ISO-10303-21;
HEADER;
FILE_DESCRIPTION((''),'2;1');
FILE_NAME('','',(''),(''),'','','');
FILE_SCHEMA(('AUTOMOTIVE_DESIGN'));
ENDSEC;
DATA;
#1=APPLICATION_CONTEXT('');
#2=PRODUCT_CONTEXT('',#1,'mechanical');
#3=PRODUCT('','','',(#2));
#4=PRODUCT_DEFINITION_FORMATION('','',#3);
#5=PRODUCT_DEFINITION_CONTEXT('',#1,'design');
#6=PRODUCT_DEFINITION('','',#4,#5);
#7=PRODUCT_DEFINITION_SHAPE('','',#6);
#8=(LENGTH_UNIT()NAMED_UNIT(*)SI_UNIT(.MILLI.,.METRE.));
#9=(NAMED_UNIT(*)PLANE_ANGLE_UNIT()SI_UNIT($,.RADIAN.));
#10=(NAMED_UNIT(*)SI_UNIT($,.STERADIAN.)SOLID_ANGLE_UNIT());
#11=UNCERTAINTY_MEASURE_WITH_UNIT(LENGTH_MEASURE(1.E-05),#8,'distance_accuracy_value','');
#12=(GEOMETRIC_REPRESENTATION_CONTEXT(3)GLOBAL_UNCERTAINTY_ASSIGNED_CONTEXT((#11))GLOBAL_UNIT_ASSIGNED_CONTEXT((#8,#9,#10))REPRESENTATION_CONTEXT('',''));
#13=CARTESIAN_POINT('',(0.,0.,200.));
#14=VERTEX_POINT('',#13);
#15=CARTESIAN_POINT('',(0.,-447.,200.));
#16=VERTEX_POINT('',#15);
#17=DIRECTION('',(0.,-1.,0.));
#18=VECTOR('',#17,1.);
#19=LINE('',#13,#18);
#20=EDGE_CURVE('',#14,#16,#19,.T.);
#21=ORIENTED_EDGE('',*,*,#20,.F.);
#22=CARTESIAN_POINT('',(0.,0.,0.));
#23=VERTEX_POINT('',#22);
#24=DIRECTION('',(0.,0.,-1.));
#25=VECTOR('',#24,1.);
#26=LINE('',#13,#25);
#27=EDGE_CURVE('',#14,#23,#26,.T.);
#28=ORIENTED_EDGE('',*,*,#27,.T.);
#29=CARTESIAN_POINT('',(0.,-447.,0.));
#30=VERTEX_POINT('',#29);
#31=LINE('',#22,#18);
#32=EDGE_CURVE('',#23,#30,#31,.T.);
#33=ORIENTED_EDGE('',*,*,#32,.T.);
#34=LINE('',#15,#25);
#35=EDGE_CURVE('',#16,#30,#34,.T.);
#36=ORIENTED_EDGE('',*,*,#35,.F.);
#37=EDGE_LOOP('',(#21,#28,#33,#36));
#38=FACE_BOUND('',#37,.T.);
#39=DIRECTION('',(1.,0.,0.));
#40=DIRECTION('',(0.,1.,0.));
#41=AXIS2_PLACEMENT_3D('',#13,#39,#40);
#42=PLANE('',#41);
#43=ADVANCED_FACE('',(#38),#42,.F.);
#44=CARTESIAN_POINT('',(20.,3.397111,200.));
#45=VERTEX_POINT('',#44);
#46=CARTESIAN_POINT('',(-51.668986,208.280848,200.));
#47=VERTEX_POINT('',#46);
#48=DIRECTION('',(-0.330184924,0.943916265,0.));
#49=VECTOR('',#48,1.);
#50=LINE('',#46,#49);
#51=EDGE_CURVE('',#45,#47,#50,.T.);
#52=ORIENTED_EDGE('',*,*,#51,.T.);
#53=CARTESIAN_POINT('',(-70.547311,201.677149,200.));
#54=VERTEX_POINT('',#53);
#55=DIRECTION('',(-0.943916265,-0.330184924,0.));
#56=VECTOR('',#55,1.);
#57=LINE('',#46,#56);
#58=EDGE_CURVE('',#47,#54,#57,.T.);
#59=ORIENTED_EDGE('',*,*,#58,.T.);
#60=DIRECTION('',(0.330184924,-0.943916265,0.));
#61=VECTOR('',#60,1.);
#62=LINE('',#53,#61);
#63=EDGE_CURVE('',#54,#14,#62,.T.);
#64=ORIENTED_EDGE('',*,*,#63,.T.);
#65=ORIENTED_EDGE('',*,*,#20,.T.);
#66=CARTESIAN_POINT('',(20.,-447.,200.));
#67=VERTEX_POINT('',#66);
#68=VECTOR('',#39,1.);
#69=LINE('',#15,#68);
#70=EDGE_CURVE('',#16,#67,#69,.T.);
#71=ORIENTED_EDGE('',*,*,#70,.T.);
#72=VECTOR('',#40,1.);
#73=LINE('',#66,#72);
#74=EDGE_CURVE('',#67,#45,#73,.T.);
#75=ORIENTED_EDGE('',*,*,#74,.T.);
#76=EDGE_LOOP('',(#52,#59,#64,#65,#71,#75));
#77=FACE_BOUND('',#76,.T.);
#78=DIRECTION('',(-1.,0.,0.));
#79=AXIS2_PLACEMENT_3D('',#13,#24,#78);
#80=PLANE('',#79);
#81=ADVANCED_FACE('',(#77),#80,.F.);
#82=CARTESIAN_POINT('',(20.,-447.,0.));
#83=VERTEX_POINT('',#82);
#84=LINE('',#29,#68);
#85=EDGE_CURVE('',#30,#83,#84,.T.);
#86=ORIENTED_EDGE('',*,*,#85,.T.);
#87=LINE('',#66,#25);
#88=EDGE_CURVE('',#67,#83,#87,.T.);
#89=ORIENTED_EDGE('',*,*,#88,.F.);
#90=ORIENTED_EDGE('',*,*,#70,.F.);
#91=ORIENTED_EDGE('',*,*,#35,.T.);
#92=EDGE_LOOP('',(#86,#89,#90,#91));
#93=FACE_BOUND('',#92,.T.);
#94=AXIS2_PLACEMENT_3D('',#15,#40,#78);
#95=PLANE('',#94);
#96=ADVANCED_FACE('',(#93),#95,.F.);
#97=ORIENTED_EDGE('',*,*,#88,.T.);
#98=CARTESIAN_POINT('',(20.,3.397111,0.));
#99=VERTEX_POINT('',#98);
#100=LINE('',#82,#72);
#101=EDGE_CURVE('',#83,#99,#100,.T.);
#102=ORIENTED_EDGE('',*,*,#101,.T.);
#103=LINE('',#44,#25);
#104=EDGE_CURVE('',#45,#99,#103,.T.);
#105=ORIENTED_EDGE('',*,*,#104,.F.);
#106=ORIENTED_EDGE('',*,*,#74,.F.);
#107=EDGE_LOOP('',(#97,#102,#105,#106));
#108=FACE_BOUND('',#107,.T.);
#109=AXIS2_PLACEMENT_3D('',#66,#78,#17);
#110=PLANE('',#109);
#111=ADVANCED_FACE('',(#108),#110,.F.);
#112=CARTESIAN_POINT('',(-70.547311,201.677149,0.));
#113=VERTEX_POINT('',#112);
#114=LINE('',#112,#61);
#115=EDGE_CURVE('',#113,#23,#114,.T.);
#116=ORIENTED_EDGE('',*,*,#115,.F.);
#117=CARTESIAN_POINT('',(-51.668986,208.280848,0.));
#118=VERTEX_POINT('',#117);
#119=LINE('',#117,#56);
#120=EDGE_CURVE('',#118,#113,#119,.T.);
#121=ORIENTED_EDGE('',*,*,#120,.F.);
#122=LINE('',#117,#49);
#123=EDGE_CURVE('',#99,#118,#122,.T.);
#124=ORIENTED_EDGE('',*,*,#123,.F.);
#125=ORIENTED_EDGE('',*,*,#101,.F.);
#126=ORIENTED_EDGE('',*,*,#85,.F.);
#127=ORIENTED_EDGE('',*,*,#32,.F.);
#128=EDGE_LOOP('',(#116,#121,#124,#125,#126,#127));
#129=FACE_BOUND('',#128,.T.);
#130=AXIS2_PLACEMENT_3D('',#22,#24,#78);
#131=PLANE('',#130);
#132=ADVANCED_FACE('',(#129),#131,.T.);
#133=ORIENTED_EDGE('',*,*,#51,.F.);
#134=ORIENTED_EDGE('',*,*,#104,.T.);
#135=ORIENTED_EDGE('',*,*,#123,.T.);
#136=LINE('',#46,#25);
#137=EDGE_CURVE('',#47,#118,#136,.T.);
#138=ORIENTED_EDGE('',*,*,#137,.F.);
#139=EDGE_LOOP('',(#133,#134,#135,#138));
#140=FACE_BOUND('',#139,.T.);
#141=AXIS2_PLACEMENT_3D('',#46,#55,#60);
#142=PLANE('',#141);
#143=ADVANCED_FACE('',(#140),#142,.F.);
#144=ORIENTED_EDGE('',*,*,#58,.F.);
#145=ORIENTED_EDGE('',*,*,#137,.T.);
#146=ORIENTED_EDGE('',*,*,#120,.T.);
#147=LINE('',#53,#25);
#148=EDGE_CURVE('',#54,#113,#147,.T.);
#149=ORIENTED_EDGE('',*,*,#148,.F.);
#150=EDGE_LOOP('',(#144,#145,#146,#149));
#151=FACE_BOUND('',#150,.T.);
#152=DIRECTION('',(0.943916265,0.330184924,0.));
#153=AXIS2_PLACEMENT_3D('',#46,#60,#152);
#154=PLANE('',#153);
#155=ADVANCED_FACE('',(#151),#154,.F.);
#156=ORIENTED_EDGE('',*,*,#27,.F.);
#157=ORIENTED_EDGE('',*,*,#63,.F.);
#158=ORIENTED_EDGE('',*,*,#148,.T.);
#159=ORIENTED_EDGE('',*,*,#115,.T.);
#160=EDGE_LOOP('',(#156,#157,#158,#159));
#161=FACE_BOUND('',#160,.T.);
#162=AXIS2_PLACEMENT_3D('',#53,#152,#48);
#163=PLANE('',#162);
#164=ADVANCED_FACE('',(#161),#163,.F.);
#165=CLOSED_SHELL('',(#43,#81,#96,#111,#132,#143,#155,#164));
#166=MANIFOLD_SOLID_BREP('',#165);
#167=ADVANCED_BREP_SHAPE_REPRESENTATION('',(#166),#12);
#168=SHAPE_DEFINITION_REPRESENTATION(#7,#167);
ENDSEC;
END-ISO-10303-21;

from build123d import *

# Parameters (mm, degrees)
BOSS_EXTRUDE1_DEPTH = 200


with BuildPart() as part:
    # Sketch1 → Boss-Extrude1 (new body)
    with BuildSketch(Plane.XY):
        Polygon((0, 0), (0, -447), (20, -447), (20, 3.397110563), (-51.668985533, 208.280847734), (-70.547310841, 201.677149259), align=None)
    extrude(amount=BOSS_EXTRUDE1_DEPTH)


solid = part.part
